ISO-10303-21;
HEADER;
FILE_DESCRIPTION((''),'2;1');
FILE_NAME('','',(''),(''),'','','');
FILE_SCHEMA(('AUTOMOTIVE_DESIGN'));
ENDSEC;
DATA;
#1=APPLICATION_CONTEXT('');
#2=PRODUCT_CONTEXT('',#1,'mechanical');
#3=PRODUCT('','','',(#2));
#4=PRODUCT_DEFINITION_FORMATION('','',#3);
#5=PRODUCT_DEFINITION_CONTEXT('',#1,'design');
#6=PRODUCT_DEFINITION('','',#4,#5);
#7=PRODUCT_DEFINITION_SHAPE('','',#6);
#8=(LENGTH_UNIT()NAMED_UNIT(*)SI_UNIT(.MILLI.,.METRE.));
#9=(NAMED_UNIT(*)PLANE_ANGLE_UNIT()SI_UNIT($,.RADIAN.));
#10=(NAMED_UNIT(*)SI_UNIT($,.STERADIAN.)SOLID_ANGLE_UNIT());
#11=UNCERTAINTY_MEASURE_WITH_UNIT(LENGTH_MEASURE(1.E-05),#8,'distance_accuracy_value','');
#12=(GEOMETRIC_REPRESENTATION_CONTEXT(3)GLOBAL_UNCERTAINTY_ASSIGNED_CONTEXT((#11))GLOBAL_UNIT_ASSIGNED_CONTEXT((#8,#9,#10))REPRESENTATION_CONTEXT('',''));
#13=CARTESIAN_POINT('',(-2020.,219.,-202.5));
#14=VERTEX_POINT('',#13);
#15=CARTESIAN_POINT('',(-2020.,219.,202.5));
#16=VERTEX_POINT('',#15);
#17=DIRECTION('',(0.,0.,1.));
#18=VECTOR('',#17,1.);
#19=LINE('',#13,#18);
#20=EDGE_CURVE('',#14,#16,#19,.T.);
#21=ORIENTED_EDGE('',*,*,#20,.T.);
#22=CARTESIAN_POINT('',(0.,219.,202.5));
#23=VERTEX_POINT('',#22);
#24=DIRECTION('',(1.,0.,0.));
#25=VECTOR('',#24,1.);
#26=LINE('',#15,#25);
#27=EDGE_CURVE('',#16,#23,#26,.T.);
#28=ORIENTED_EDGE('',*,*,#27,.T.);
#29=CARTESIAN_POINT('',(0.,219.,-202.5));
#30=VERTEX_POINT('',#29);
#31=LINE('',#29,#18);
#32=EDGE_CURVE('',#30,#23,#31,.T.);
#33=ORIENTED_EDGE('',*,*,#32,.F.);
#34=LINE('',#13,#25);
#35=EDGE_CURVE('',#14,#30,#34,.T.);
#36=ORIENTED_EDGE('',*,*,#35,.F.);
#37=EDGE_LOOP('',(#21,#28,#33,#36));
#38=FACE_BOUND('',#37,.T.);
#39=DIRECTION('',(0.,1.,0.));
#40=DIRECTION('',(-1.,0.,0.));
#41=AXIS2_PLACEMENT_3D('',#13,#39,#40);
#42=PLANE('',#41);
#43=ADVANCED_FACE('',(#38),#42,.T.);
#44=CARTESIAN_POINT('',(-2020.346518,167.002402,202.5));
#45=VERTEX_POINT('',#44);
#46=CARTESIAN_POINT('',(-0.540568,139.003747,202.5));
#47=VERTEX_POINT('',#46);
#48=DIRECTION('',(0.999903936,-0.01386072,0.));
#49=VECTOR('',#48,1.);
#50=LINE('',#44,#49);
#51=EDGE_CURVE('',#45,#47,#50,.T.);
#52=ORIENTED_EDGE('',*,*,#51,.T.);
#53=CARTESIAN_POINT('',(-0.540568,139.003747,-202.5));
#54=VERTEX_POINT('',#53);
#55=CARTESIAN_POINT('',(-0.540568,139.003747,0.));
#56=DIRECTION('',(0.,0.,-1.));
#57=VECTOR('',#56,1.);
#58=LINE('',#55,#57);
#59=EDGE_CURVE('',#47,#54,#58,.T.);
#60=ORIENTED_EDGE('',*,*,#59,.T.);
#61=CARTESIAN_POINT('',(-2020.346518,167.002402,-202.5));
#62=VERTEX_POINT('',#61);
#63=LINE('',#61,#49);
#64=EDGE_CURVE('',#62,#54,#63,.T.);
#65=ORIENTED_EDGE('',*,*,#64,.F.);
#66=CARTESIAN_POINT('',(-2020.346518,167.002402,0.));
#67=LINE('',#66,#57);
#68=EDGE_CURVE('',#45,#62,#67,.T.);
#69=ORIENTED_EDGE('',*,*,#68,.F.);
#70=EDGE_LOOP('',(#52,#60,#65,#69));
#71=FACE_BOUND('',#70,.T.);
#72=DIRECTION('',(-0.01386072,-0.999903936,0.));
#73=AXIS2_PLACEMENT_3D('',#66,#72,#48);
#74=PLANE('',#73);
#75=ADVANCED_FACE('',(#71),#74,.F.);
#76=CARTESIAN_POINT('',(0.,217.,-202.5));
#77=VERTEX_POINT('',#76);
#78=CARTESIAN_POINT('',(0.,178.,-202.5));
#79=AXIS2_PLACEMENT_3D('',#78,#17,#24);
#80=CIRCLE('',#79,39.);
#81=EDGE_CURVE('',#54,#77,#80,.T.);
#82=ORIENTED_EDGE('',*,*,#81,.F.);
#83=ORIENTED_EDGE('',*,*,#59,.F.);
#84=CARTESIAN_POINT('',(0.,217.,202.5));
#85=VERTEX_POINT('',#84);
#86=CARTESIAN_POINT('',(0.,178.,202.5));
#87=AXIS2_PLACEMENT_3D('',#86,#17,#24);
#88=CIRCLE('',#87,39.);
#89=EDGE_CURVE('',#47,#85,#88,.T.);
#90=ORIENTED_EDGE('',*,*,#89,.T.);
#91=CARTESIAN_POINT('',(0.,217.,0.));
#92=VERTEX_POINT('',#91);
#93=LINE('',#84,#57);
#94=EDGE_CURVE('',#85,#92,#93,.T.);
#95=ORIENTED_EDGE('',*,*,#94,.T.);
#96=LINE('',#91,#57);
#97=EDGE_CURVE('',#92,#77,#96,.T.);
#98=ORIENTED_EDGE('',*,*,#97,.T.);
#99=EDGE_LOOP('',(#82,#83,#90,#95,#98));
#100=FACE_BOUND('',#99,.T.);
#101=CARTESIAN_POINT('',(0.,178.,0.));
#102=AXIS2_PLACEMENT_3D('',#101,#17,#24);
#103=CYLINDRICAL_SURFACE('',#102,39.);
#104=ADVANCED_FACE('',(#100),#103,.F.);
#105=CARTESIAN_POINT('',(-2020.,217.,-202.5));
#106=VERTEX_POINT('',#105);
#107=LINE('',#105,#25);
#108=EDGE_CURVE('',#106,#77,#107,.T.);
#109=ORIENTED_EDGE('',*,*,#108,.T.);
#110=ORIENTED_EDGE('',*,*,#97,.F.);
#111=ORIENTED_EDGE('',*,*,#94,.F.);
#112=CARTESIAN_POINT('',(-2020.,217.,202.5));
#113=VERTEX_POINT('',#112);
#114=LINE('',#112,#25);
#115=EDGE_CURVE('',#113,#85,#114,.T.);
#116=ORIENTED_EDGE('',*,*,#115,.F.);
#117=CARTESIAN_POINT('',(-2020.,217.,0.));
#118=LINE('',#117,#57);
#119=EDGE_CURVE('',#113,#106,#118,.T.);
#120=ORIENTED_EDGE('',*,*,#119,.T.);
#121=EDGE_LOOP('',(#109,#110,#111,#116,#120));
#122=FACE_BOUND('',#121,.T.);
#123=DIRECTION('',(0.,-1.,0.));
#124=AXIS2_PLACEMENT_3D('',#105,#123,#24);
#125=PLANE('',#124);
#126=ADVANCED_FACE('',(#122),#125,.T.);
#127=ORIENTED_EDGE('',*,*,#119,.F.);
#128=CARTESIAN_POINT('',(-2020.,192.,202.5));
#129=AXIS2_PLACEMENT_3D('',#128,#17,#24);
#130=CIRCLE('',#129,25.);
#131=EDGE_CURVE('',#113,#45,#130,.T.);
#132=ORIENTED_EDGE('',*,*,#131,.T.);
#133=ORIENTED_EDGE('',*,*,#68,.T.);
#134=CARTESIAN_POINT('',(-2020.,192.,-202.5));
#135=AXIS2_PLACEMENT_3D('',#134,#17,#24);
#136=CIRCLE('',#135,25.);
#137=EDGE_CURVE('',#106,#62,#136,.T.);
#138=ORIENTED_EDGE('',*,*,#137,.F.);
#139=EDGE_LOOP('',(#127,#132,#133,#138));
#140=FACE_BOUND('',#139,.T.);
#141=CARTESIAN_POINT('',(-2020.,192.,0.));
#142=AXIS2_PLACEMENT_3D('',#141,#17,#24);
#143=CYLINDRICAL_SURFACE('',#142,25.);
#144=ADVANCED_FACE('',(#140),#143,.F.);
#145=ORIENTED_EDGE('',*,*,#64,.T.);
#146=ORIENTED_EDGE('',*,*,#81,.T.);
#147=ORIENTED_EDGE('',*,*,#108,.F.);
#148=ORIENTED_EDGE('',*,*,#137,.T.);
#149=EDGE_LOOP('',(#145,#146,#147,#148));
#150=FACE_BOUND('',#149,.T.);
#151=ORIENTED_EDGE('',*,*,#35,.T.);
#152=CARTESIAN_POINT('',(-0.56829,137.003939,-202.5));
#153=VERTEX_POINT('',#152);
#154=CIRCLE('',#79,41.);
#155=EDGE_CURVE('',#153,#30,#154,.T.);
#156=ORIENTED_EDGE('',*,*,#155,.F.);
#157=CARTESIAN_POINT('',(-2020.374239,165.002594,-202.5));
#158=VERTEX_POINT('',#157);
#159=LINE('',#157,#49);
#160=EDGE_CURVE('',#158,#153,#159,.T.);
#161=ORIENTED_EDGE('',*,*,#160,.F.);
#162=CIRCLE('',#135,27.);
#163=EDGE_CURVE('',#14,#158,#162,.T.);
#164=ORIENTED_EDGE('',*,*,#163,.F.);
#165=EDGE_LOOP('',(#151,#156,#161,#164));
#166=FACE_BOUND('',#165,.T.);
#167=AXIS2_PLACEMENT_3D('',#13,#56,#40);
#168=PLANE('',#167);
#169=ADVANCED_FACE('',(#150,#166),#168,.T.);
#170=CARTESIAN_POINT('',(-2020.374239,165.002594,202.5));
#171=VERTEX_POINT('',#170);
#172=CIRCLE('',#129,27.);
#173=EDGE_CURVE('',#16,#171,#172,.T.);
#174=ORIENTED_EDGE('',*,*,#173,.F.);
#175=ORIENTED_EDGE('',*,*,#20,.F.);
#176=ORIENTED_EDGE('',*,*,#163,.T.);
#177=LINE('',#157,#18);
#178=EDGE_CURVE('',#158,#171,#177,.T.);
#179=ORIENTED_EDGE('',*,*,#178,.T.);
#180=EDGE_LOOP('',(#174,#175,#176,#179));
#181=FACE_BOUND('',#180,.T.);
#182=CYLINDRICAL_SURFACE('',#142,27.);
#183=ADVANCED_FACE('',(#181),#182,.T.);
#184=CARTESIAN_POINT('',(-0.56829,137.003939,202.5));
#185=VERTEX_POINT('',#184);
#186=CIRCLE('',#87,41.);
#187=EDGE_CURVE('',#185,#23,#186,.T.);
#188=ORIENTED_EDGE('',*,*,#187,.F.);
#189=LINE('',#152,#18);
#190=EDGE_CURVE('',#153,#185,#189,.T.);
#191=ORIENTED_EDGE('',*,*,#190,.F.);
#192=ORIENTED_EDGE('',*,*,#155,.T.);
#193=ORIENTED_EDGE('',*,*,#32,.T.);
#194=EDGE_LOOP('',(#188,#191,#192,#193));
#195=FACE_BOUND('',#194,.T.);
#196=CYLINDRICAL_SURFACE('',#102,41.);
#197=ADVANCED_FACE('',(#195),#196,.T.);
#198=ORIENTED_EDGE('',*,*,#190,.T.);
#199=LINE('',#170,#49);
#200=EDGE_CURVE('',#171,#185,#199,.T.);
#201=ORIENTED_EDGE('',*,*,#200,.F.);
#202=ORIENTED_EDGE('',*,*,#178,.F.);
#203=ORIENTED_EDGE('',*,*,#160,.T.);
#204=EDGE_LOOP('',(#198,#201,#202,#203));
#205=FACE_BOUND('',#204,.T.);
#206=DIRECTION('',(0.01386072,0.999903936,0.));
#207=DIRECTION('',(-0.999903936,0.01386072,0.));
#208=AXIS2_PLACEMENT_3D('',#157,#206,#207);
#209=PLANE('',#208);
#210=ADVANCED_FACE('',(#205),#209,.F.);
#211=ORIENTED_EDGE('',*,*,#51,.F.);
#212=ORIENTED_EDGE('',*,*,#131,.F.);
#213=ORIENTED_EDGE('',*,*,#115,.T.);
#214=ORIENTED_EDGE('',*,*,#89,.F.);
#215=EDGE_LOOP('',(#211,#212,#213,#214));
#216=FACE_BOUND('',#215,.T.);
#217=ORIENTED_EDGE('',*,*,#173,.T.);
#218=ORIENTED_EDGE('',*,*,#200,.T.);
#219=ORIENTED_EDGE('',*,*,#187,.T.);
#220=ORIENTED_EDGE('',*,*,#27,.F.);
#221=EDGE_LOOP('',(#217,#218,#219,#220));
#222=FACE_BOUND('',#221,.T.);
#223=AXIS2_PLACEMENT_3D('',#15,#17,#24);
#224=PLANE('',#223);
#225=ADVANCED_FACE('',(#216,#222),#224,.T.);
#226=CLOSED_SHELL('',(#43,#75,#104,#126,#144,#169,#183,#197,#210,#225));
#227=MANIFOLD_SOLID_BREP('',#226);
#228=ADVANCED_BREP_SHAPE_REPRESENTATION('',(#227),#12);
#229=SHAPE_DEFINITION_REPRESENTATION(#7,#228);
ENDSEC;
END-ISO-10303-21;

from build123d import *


with BuildPart() as part:
    # Austragung1: sweep along a path in Skizze2
    with BuildLine(Plane.XY) as austragung1_path:
        Line((-2020, 217), (0, 217))
        ThreePointArc((0, 217), (38.99906336, 177.729709462), (-0.540568093, 139.003746512))
        Line((-0.540568093, 139.003746512), (-2020.346518009, 167.00240161))
        ThreePointArc((-2020.346518009, 167.00240161), (-2044.99939959, 192.173263165), (-2020, 217))
    # Skizze3 → Austragung1 (sweep)
    with BuildSketch(Plane(origin=(0, 0, 0), x_dir=(0, 0, -1), z_dir=(1, 0, 0))):
        Polygon((202.5, 219), (-202.5, 219), (-202.5, 217), (0, 217), (202.5, 217), align=None)
    sweep(path=austragung1_path.line)


solid = part.part
